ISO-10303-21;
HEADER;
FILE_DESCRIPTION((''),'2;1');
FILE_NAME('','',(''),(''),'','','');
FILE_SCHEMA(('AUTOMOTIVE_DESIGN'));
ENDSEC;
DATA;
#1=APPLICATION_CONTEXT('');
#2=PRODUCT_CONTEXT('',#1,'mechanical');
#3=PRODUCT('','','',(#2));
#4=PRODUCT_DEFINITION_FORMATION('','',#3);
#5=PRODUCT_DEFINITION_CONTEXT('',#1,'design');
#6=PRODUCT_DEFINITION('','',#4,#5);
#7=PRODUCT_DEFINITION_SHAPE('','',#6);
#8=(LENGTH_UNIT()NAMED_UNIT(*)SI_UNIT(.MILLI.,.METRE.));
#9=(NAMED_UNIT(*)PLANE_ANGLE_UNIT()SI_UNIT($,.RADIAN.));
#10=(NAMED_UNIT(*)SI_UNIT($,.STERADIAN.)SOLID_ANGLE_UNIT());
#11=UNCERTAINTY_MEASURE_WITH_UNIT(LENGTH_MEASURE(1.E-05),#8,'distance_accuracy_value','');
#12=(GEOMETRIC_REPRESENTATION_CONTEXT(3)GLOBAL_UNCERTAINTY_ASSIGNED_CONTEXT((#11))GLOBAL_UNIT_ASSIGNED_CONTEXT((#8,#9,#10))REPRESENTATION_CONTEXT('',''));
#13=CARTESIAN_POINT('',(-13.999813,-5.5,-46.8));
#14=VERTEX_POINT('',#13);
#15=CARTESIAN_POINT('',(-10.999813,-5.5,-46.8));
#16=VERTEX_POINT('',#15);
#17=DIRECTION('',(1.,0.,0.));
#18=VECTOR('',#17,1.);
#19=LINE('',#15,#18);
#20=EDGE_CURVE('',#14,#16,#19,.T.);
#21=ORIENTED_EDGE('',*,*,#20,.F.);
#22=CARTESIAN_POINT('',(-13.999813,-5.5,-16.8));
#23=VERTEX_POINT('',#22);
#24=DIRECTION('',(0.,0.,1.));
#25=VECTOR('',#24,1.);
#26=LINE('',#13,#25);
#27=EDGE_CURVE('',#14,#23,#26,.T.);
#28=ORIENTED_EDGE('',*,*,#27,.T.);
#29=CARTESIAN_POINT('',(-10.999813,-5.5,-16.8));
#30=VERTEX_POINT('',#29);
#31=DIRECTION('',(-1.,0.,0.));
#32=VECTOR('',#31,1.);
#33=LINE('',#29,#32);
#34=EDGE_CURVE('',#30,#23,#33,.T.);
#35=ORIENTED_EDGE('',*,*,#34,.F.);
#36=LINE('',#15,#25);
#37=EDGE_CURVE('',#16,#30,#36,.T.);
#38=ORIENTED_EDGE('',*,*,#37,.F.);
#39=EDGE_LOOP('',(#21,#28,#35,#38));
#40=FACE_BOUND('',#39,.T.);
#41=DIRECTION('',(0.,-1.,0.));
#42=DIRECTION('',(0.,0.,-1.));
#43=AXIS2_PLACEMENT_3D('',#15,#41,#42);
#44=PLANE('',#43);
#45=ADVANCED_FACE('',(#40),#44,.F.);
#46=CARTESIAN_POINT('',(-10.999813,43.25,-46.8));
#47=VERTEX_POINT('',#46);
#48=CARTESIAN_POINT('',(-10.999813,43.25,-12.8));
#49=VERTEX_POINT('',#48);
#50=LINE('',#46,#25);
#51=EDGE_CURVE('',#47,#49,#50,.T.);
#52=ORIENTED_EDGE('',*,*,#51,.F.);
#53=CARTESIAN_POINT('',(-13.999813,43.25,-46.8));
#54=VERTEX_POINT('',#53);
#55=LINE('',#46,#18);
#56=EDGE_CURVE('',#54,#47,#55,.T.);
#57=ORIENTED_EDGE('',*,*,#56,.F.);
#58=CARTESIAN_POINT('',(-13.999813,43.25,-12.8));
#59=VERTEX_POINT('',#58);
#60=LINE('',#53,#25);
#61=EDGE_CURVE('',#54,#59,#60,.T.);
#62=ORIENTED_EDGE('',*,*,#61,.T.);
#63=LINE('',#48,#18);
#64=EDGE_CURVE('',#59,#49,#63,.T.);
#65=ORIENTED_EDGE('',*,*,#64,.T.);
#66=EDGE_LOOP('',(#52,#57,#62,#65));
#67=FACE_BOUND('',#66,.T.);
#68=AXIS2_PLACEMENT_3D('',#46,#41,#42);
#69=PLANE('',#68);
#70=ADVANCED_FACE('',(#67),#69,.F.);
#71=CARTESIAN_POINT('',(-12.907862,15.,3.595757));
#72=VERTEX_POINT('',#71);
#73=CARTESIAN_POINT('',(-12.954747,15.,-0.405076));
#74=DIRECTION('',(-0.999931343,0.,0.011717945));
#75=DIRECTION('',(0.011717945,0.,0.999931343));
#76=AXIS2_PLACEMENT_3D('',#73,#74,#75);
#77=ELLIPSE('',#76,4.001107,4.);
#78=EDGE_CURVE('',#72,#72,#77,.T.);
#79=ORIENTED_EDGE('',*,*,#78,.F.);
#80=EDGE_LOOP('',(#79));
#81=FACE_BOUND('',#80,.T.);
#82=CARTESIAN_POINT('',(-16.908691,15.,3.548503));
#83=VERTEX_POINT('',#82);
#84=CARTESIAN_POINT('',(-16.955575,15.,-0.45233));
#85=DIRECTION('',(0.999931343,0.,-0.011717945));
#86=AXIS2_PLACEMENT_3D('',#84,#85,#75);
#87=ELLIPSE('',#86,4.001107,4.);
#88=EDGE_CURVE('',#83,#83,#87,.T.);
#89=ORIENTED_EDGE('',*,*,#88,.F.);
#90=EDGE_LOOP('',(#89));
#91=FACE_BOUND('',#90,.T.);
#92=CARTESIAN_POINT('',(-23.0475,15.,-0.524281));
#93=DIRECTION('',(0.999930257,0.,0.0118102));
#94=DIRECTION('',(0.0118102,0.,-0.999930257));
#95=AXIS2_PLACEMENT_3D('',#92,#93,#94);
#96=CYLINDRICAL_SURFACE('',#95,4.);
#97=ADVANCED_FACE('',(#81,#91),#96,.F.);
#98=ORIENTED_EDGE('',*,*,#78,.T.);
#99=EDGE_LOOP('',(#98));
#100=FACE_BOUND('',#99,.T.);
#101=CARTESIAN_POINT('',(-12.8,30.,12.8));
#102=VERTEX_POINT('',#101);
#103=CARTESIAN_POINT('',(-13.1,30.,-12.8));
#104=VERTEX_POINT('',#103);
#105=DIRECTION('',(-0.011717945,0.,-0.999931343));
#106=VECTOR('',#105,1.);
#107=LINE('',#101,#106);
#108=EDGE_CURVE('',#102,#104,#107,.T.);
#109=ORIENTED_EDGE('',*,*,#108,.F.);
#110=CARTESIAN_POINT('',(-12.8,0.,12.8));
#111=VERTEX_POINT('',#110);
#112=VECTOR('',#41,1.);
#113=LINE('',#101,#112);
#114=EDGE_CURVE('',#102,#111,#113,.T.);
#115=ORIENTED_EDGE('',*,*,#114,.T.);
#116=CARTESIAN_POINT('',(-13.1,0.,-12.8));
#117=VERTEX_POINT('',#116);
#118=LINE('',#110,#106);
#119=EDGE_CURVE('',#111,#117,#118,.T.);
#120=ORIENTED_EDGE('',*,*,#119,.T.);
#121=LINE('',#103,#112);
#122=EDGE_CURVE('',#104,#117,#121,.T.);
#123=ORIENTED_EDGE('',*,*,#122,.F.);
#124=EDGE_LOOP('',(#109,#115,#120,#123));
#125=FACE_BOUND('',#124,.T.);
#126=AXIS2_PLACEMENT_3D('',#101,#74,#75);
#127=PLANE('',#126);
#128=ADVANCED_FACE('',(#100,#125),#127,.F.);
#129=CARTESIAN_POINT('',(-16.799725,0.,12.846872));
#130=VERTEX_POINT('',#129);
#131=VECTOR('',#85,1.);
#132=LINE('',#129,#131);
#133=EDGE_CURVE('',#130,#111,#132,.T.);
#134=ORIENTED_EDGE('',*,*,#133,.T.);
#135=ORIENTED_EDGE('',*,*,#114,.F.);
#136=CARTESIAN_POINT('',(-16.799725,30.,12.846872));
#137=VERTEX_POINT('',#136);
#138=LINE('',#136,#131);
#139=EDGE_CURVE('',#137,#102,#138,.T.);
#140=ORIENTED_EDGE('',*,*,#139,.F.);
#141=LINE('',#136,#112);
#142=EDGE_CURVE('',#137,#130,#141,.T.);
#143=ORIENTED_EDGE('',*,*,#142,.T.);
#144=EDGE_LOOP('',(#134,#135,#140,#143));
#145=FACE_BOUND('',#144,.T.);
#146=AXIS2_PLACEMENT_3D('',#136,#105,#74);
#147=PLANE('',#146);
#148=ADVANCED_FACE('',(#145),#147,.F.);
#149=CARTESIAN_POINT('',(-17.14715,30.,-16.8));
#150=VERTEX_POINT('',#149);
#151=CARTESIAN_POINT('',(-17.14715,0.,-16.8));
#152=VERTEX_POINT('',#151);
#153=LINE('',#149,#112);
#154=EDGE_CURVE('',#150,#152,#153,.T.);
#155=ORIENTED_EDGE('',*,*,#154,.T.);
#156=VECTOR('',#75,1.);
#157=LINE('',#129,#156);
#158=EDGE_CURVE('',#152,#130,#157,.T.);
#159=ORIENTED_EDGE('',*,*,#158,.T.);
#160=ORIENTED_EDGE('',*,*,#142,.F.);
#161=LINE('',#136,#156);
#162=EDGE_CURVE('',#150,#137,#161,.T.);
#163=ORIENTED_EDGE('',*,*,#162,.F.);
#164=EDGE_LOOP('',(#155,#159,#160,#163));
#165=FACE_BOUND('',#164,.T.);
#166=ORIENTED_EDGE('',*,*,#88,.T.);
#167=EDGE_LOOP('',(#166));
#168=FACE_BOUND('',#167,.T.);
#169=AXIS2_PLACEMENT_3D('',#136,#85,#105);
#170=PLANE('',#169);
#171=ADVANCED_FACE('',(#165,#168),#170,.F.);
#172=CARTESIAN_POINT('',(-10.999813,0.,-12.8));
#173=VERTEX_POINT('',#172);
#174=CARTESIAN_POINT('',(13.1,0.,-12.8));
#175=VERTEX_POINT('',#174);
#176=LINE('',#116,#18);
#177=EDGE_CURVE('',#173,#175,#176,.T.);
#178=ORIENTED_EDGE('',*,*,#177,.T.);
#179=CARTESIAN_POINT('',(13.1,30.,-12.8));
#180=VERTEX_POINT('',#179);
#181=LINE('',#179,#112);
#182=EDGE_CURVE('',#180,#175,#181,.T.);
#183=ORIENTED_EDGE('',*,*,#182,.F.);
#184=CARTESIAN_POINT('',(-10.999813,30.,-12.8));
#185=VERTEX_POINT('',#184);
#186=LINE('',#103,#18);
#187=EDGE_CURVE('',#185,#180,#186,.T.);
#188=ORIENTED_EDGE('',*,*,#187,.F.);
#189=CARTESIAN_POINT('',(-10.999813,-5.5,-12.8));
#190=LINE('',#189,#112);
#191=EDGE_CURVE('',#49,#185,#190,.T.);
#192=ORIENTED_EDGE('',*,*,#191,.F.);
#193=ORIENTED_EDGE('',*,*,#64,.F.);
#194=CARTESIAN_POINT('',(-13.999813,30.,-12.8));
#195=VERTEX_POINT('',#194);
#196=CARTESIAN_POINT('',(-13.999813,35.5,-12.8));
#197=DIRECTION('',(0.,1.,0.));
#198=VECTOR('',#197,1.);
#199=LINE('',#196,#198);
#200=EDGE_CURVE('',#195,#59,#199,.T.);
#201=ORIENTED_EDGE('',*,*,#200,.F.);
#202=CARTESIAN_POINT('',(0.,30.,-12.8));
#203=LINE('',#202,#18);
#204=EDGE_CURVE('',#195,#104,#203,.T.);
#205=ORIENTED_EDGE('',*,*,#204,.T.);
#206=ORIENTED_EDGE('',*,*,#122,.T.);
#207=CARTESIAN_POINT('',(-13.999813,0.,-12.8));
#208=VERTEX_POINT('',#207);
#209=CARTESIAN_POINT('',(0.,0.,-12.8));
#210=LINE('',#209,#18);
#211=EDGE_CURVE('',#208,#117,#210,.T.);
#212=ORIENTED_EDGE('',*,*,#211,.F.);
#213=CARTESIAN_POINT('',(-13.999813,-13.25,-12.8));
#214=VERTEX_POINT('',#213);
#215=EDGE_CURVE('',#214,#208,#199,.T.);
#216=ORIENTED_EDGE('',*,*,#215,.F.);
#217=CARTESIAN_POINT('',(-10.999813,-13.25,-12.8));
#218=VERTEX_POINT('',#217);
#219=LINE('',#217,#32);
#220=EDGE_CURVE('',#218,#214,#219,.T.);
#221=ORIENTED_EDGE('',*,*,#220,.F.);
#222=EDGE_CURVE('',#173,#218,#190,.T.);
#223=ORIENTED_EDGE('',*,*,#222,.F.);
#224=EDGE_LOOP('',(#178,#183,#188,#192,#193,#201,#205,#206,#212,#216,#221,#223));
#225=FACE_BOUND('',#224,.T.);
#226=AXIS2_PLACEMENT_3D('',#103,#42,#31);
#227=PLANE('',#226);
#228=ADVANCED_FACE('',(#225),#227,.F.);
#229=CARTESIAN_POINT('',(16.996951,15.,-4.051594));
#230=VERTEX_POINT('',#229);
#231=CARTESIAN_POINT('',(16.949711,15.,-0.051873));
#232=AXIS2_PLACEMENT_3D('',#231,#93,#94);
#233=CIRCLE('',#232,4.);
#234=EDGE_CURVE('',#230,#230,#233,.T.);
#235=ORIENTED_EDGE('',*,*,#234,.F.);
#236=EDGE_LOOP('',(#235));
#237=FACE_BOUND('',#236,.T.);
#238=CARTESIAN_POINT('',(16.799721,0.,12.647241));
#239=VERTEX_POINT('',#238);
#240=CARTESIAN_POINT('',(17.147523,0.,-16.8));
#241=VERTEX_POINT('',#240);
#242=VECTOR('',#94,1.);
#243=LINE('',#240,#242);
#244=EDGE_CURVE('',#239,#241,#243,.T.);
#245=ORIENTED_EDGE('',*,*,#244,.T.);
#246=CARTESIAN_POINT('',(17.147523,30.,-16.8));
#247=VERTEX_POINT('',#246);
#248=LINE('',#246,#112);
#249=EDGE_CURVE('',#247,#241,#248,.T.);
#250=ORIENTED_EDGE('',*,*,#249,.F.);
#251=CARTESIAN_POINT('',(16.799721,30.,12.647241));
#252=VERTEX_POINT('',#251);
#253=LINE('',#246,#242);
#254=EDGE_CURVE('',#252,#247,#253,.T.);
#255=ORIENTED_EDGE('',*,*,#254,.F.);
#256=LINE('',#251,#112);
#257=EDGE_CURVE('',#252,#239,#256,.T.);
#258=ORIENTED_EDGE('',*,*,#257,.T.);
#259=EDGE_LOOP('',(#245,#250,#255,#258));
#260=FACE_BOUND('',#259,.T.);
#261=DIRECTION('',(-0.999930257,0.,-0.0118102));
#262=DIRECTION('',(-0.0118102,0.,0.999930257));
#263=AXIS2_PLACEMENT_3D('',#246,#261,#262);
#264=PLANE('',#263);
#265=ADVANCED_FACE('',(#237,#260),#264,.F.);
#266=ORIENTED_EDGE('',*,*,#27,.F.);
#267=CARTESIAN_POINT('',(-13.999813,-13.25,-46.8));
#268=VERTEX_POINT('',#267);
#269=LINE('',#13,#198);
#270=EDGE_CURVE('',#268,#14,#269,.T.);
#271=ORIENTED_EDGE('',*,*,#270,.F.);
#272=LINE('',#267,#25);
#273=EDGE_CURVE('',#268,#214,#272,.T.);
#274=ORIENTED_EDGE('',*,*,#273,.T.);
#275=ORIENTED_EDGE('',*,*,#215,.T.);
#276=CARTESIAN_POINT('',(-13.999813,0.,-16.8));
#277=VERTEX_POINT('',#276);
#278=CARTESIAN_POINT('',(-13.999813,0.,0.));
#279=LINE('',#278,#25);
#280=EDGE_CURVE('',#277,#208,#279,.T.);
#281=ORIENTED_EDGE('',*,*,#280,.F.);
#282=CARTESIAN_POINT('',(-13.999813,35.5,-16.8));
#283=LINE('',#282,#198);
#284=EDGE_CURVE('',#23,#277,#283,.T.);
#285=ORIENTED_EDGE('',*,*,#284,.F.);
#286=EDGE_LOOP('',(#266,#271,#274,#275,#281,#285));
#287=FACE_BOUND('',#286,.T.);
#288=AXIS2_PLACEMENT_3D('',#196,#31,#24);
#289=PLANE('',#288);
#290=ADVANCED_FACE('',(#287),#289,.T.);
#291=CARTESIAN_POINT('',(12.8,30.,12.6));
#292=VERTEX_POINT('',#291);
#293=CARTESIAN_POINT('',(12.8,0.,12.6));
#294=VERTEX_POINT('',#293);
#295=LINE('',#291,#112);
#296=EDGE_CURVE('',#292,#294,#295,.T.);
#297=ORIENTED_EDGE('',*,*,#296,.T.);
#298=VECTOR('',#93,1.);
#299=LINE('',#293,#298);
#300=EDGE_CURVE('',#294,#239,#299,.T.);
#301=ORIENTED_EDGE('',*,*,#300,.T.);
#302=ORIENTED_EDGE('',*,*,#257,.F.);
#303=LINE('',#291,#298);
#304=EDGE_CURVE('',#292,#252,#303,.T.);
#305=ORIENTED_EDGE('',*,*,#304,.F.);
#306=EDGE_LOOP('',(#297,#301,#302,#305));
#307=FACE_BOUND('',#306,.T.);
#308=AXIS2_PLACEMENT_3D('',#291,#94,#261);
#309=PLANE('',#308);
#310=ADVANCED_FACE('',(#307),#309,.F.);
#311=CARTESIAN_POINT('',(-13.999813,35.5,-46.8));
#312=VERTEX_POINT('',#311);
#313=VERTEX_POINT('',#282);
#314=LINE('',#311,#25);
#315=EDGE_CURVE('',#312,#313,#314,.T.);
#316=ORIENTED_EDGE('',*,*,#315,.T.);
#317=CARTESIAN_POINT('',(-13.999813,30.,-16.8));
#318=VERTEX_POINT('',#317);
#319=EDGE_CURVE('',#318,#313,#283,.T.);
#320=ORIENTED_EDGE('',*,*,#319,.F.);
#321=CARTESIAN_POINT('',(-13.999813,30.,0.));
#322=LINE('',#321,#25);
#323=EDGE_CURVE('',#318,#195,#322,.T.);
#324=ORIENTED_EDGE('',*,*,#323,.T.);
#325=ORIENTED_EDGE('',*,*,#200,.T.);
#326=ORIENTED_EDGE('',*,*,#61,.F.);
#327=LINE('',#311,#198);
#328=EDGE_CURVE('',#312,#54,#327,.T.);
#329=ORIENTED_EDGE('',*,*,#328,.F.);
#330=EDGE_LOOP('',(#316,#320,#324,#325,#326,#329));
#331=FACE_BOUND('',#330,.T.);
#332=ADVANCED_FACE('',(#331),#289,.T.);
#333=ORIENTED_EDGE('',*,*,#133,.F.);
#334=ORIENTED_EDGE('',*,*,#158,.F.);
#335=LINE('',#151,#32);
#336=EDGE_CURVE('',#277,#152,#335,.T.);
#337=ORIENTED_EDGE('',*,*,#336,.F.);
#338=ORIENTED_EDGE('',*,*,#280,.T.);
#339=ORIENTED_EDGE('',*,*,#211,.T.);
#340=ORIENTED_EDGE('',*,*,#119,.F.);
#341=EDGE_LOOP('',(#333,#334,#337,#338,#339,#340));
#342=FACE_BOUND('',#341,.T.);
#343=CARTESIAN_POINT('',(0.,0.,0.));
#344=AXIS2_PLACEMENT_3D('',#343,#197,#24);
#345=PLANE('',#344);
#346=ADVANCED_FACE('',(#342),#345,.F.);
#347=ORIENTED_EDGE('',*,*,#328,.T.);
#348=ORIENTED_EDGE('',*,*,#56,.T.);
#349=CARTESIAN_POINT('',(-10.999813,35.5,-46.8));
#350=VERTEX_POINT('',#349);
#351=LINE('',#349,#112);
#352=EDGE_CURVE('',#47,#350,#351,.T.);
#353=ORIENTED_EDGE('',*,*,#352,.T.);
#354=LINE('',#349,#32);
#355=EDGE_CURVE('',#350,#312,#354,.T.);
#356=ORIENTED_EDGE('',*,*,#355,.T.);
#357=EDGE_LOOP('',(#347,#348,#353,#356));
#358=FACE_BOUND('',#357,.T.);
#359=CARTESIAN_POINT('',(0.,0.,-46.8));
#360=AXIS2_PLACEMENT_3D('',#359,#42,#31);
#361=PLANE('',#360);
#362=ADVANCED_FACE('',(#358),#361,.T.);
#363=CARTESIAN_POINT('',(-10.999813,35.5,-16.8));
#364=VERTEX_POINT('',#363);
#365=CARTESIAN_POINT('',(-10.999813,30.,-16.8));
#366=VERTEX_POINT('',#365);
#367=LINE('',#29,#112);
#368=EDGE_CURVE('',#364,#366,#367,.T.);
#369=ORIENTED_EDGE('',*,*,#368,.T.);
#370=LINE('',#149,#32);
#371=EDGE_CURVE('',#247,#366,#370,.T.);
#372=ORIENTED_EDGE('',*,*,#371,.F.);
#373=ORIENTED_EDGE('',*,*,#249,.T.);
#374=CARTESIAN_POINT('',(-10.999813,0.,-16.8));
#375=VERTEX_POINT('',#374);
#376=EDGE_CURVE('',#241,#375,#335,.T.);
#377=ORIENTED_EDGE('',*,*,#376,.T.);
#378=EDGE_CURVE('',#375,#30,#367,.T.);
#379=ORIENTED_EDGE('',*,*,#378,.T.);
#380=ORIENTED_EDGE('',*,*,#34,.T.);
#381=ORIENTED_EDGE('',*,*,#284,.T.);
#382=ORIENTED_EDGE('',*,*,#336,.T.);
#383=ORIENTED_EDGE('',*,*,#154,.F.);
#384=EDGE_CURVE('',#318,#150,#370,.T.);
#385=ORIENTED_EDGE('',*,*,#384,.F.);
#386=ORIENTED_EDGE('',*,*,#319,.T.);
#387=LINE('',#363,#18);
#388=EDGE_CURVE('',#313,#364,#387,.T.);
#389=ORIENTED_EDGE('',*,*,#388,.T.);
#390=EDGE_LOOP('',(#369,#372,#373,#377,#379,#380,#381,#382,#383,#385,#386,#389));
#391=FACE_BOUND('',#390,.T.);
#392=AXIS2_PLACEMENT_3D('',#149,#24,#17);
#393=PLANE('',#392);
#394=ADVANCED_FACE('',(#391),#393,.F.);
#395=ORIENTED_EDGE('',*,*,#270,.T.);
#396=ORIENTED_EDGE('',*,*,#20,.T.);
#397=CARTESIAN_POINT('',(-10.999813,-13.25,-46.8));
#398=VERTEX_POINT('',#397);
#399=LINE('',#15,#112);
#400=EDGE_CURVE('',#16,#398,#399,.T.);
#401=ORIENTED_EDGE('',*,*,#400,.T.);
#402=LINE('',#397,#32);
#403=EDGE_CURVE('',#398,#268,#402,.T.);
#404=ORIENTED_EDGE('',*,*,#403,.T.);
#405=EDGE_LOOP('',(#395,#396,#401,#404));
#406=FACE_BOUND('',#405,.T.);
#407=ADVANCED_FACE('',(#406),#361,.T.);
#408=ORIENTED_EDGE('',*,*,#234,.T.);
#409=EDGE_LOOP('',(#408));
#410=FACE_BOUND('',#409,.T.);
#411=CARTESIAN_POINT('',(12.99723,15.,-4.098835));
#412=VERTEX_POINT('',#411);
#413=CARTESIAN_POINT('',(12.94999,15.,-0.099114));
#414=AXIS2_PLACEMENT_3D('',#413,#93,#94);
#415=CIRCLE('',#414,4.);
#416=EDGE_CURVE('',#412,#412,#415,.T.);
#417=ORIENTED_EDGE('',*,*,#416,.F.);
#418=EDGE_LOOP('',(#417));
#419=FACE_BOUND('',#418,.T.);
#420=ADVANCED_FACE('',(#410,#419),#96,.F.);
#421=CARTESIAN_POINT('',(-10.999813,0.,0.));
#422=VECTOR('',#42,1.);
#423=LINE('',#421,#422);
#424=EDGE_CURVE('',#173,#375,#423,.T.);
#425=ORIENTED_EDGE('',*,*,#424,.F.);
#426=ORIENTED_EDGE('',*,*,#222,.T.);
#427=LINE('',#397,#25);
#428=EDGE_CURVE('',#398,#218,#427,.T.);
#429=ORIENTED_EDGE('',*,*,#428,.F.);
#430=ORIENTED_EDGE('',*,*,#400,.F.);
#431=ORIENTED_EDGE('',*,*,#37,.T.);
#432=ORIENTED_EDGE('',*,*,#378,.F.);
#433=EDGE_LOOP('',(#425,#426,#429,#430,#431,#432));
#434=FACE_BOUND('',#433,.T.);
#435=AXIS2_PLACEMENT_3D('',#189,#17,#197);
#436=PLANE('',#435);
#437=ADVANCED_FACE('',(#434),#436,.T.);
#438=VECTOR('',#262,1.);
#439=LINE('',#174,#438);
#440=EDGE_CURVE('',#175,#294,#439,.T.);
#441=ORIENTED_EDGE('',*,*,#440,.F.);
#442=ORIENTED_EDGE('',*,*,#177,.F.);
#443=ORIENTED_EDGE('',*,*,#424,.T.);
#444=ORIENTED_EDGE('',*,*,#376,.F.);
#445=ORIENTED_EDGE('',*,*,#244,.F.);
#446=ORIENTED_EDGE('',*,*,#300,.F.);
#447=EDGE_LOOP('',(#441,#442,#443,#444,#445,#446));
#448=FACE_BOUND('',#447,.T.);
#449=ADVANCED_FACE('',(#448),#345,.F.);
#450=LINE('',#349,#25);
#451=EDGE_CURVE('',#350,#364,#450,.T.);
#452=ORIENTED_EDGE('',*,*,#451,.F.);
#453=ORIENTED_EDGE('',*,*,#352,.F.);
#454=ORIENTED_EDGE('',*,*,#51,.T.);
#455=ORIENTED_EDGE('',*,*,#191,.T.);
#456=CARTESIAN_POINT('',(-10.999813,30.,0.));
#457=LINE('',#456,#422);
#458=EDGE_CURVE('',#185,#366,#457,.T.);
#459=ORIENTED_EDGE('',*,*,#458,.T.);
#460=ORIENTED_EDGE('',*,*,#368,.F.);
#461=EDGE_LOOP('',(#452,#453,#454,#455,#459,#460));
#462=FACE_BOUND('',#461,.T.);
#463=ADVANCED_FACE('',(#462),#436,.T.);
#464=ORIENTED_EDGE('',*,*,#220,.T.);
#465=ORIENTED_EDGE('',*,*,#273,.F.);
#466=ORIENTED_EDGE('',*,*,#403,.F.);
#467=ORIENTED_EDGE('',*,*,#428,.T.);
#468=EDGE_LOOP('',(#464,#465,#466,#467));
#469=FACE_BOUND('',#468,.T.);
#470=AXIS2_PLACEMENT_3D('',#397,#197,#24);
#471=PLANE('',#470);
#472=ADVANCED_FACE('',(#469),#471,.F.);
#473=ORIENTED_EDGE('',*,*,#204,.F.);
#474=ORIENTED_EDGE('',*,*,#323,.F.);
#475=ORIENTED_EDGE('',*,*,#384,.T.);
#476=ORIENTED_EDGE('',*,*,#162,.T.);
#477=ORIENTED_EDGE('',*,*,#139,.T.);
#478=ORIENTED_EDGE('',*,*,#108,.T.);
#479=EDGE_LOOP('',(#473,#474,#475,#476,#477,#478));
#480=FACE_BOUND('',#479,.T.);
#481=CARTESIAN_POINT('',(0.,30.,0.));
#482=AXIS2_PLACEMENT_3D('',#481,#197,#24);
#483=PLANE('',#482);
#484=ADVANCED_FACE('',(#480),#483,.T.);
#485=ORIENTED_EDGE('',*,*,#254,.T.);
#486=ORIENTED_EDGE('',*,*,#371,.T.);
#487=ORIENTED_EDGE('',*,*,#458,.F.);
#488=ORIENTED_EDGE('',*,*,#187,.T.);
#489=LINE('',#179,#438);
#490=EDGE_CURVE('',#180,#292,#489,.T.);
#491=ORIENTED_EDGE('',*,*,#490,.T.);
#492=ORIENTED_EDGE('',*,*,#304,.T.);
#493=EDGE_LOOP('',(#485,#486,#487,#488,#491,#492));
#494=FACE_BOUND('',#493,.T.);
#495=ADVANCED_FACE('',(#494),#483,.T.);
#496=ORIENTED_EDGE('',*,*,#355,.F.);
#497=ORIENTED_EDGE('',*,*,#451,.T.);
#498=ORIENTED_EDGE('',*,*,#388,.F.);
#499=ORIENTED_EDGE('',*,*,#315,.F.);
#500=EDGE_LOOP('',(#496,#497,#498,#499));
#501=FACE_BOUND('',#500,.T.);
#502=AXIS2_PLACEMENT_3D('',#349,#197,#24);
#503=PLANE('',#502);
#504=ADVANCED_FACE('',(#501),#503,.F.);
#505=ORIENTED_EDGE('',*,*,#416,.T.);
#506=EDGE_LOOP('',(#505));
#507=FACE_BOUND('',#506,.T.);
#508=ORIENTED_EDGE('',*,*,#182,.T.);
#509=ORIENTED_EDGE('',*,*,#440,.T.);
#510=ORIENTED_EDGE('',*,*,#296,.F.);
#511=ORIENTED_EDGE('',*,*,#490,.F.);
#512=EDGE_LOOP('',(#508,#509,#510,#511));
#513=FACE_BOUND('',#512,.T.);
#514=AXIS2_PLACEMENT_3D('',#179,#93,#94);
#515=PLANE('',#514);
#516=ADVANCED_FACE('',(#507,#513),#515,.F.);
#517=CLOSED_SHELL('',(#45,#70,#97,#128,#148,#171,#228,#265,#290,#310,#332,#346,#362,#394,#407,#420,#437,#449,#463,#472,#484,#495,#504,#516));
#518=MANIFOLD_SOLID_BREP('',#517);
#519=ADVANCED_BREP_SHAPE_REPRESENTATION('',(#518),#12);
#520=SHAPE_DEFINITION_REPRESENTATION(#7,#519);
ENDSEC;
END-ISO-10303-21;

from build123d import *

# Parameters (mm, degrees)
BOSS_EXTRUDE1_DEPTH      = 30
SKETCH3_R                = 4
CUT_EXTRUDE1_DEPTH       = 40
SKETCH4_W                = 3
SKETCH4_H                = 41
BOSS_EXTRUDE2_DEPTH      = 4
BOSS_EXTRUDE3_DEPTH      = 30
BOSS_EXTRUDE3_DEPTH_BACK = 4
SKETCH5_W                = 3
SKETCH5_H                = 7.75


with BuildPart() as part:
    # Sketch1 → Boss-Extrude1 (new body)
    with BuildSketch(Plane(origin=(0, 0, 0), x_dir=(1, 0, 0), z_dir=(0, 1, 0))):
        Polygon((-12.8, -12.8), (-13.1, 12.8), (13.1, 12.8), (12.8, -12.6), (16.799721029, -12.6472408), (17.147523085, 16.8), (-17.147149649, 16.8), (-16.79972537, -12.846871782), align=None)
    extrude(amount=BOSS_EXTRUDE1_DEPTH)

    # Sketch3 → Cut-Extrude1 (cut)
    with BuildSketch(Plane(origin=(16.946733814, 0, 0.200158273), x_dir=(0.011810199887684227, 0, -0.9999302571572745), z_dir=(0.9999302571572745, 0, 0.011810199887684227))):
        with Locations(Location((0.252049318, 15, 0), (0, 0, 180))):
            Circle(SKETCH3_R)
    extrude(amount=-CUT_EXTRUDE1_DEPTH, mode=Mode.SUBTRACT)

    # Sketch4 → Boss-Extrude2 (add)
    with BuildSketch(Plane(origin=(0, 0, -16.8), x_dir=(-1, 0, 0), z_dir=(0, 0, -1))):
        with Locations((12.499813282, 15)):
            Rectangle(SKETCH4_W, SKETCH4_H)
    extrude(amount=-BOSS_EXTRUDE2_DEPTH)

    # Sketch5 → Boss-Extrude3 (add, two sides: drawn at the far end of the back side and taken through both)
    with BuildSketch(Plane(origin=(0, 0, -16.8), x_dir=(-1, 0, 0), z_dir=(0, 0, -1)).offset(-BOSS_EXTRUDE3_DEPTH_BACK)):
        with Locations((12.499813282, 39.375)):
            Rectangle(SKETCH5_W, SKETCH5_H)
        with Locations((12.499813282, -9.375)):
            Rectangle(SKETCH5_W, SKETCH5_H)
    extrude(amount=BOSS_EXTRUDE3_DEPTH + BOSS_EXTRUDE3_DEPTH_BACK)


solid = part.part
